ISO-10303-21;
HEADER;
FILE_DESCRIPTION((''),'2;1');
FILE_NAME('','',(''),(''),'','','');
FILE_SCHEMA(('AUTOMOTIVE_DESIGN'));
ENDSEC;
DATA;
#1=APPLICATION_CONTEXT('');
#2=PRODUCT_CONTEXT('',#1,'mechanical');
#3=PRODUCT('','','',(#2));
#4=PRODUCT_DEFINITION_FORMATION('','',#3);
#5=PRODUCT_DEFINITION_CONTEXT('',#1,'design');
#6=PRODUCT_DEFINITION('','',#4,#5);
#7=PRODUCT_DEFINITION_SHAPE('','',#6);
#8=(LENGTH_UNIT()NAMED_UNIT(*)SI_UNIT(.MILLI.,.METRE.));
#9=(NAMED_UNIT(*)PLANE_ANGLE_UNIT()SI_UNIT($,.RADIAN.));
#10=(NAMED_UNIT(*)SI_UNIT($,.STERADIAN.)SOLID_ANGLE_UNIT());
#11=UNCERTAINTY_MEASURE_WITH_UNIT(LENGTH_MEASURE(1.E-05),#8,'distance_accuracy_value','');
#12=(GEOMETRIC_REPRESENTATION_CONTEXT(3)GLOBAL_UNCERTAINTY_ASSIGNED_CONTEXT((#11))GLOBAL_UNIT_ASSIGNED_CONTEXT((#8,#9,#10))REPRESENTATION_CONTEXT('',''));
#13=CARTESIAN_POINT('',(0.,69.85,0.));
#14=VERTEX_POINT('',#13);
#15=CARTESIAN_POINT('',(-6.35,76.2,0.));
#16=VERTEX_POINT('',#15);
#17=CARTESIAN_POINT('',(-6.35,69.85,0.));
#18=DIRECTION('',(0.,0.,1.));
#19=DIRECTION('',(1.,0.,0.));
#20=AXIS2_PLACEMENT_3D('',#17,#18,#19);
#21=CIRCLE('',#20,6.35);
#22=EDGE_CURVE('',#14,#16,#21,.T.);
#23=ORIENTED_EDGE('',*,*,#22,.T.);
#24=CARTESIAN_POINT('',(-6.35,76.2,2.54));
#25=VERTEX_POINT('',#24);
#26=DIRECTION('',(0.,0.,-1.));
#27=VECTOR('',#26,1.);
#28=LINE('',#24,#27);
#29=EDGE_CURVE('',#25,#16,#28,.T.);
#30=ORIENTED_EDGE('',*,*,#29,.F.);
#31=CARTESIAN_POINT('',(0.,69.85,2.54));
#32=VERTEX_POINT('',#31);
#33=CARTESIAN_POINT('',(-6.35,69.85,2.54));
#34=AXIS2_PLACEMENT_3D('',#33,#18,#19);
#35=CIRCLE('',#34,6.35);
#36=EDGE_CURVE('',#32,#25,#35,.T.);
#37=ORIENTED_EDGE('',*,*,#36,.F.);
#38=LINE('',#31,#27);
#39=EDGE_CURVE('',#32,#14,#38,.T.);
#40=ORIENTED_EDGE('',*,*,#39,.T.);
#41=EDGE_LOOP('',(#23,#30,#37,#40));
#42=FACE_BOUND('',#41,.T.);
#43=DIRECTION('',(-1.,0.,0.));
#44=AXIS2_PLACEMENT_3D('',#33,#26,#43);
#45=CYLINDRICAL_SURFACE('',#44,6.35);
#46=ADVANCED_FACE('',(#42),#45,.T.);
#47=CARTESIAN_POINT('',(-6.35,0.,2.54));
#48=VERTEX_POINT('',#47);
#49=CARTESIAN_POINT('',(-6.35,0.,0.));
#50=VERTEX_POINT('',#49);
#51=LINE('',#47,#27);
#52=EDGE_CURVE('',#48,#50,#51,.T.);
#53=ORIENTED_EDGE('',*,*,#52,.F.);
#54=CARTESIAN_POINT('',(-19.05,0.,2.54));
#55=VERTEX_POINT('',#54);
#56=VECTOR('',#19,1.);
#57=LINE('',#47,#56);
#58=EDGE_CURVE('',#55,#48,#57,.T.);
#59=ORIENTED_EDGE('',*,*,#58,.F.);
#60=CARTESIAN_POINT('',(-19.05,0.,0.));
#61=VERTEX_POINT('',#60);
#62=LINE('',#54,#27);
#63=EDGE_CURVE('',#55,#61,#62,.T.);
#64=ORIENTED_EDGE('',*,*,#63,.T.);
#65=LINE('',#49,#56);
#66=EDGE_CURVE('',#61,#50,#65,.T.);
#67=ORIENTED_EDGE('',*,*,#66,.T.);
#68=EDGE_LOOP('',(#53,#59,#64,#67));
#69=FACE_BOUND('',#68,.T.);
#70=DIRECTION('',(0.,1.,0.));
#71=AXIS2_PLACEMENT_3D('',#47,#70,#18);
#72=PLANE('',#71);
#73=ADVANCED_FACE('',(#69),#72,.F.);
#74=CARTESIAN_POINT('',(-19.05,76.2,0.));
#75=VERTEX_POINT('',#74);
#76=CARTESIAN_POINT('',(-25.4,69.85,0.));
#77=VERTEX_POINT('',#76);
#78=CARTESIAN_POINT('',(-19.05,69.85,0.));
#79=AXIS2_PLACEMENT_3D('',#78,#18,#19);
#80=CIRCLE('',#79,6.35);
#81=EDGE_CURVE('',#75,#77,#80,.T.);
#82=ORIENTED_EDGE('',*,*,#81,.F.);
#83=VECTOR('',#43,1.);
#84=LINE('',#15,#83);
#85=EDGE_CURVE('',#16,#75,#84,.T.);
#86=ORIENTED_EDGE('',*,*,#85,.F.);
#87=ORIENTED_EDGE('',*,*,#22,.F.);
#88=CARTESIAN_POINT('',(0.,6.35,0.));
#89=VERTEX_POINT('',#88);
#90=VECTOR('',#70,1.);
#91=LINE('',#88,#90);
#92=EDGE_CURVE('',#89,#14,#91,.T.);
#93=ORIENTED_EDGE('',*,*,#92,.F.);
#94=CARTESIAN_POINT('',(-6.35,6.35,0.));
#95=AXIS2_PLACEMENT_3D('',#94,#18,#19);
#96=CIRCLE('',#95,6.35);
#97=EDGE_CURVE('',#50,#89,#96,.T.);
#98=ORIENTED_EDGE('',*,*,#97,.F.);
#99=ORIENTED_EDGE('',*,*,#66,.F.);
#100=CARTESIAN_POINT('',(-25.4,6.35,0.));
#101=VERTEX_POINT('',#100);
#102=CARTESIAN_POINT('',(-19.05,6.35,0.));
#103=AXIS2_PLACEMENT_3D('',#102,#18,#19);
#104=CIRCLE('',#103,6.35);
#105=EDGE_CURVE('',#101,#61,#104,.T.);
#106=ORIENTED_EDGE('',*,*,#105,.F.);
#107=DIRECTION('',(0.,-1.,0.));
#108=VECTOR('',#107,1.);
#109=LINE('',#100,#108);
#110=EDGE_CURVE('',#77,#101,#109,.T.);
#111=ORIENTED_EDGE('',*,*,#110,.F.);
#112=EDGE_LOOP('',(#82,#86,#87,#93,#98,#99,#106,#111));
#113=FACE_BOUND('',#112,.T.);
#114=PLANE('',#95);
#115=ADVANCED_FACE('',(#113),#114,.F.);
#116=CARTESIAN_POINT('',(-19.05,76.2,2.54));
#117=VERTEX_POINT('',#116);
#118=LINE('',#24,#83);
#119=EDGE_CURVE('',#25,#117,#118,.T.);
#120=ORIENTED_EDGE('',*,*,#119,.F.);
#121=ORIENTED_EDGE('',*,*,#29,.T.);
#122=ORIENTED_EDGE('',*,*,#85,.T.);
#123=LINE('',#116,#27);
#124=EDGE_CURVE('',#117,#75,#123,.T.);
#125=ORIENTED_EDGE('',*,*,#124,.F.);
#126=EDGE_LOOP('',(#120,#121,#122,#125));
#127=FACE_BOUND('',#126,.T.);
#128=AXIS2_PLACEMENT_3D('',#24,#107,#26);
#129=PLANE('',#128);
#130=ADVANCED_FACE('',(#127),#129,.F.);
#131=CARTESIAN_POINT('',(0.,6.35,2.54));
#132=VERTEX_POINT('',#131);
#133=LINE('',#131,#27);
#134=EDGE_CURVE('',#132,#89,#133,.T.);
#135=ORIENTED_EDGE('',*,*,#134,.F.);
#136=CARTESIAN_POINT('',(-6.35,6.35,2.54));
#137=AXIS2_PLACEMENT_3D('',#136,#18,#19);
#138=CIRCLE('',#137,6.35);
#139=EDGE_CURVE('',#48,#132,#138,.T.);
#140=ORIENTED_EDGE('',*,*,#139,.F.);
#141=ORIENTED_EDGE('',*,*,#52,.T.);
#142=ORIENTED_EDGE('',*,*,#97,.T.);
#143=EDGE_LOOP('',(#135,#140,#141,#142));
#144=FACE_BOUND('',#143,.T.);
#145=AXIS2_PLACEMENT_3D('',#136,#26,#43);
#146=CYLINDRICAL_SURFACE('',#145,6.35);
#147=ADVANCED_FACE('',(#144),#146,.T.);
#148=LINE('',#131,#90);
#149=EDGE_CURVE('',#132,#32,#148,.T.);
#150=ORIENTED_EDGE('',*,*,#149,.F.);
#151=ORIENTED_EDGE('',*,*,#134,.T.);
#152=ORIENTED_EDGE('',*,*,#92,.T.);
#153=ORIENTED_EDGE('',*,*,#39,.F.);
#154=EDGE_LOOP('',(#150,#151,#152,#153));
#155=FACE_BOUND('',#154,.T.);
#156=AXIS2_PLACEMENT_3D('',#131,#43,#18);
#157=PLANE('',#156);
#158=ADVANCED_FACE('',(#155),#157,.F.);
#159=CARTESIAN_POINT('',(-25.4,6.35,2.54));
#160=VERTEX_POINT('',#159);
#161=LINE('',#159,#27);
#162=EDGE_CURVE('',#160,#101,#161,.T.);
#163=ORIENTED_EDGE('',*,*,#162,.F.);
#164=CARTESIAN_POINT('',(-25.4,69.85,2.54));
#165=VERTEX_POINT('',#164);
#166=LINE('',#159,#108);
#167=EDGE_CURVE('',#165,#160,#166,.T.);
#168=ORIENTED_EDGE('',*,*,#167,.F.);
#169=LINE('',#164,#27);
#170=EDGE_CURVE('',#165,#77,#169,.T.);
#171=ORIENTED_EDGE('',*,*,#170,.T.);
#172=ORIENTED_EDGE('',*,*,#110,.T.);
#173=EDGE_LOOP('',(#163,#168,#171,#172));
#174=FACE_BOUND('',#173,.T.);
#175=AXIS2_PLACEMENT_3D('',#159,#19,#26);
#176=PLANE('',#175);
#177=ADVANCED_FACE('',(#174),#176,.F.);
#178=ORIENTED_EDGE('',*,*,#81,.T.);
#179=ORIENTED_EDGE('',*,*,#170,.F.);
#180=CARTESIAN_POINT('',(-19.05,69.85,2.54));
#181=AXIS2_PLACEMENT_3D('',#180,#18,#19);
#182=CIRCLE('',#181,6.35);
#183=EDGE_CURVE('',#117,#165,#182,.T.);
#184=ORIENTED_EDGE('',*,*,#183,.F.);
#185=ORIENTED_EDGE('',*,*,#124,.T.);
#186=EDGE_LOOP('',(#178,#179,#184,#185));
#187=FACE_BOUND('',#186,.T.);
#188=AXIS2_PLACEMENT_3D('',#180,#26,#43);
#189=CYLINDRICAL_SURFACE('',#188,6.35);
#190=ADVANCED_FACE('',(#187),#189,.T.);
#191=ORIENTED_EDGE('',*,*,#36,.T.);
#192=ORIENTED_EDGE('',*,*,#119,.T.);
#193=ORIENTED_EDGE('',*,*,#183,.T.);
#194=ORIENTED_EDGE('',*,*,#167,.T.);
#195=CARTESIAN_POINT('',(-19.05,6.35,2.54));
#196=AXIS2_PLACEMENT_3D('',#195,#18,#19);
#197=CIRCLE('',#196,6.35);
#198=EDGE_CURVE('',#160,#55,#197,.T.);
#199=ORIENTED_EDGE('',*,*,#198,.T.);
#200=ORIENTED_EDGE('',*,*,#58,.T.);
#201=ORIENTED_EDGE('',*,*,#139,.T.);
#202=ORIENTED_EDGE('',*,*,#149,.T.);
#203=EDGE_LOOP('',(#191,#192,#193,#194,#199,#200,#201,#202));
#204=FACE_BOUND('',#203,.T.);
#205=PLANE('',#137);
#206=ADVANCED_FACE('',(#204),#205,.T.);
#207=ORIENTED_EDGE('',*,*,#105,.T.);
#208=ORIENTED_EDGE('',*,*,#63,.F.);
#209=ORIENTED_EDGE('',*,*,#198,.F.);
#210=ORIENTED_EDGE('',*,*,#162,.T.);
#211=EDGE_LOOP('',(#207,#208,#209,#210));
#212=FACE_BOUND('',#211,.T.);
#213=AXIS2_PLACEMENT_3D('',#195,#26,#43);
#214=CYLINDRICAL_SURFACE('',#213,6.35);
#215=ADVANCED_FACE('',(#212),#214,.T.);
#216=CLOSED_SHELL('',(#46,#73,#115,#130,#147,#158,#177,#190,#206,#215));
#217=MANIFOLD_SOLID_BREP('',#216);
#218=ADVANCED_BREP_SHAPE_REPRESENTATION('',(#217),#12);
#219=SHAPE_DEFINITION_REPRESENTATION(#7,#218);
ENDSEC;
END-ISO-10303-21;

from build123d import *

# Parameters (mm, degrees)
BOSS_EXTRUDE1_DEPTH = 2.54


with BuildPart() as part:
    # Sketch1 → Boss-Extrude1 (new body)
    with BuildSketch(Plane(origin=(0, 0, 0), x_dir=(0, 1, 0), z_dir=(0, 0, 1))):
        with BuildLine():
            Line((6.35, 0), (69.85, 0))
            ThreePointArc((69.85, 0), (74.340128061, 1.859871939), (76.2, 6.35))
            Line((76.2, 6.35), (76.2, 19.05))
            ThreePointArc((76.2, 19.05), (74.340128061, 23.540128061), (69.85, 25.4))
            Line((69.85, 25.4), (6.35, 25.4))
            ThreePointArc((6.35, 25.4), (1.859871939, 23.540128061), (0, 19.05))
            Line((0, 19.05), (0, 6.35))
            ThreePointArc((0, 6.35), (1.859871939, 1.859871939), (6.35, 0))
        make_face()
    extrude(amount=BOSS_EXTRUDE1_DEPTH)


solid = part.part
